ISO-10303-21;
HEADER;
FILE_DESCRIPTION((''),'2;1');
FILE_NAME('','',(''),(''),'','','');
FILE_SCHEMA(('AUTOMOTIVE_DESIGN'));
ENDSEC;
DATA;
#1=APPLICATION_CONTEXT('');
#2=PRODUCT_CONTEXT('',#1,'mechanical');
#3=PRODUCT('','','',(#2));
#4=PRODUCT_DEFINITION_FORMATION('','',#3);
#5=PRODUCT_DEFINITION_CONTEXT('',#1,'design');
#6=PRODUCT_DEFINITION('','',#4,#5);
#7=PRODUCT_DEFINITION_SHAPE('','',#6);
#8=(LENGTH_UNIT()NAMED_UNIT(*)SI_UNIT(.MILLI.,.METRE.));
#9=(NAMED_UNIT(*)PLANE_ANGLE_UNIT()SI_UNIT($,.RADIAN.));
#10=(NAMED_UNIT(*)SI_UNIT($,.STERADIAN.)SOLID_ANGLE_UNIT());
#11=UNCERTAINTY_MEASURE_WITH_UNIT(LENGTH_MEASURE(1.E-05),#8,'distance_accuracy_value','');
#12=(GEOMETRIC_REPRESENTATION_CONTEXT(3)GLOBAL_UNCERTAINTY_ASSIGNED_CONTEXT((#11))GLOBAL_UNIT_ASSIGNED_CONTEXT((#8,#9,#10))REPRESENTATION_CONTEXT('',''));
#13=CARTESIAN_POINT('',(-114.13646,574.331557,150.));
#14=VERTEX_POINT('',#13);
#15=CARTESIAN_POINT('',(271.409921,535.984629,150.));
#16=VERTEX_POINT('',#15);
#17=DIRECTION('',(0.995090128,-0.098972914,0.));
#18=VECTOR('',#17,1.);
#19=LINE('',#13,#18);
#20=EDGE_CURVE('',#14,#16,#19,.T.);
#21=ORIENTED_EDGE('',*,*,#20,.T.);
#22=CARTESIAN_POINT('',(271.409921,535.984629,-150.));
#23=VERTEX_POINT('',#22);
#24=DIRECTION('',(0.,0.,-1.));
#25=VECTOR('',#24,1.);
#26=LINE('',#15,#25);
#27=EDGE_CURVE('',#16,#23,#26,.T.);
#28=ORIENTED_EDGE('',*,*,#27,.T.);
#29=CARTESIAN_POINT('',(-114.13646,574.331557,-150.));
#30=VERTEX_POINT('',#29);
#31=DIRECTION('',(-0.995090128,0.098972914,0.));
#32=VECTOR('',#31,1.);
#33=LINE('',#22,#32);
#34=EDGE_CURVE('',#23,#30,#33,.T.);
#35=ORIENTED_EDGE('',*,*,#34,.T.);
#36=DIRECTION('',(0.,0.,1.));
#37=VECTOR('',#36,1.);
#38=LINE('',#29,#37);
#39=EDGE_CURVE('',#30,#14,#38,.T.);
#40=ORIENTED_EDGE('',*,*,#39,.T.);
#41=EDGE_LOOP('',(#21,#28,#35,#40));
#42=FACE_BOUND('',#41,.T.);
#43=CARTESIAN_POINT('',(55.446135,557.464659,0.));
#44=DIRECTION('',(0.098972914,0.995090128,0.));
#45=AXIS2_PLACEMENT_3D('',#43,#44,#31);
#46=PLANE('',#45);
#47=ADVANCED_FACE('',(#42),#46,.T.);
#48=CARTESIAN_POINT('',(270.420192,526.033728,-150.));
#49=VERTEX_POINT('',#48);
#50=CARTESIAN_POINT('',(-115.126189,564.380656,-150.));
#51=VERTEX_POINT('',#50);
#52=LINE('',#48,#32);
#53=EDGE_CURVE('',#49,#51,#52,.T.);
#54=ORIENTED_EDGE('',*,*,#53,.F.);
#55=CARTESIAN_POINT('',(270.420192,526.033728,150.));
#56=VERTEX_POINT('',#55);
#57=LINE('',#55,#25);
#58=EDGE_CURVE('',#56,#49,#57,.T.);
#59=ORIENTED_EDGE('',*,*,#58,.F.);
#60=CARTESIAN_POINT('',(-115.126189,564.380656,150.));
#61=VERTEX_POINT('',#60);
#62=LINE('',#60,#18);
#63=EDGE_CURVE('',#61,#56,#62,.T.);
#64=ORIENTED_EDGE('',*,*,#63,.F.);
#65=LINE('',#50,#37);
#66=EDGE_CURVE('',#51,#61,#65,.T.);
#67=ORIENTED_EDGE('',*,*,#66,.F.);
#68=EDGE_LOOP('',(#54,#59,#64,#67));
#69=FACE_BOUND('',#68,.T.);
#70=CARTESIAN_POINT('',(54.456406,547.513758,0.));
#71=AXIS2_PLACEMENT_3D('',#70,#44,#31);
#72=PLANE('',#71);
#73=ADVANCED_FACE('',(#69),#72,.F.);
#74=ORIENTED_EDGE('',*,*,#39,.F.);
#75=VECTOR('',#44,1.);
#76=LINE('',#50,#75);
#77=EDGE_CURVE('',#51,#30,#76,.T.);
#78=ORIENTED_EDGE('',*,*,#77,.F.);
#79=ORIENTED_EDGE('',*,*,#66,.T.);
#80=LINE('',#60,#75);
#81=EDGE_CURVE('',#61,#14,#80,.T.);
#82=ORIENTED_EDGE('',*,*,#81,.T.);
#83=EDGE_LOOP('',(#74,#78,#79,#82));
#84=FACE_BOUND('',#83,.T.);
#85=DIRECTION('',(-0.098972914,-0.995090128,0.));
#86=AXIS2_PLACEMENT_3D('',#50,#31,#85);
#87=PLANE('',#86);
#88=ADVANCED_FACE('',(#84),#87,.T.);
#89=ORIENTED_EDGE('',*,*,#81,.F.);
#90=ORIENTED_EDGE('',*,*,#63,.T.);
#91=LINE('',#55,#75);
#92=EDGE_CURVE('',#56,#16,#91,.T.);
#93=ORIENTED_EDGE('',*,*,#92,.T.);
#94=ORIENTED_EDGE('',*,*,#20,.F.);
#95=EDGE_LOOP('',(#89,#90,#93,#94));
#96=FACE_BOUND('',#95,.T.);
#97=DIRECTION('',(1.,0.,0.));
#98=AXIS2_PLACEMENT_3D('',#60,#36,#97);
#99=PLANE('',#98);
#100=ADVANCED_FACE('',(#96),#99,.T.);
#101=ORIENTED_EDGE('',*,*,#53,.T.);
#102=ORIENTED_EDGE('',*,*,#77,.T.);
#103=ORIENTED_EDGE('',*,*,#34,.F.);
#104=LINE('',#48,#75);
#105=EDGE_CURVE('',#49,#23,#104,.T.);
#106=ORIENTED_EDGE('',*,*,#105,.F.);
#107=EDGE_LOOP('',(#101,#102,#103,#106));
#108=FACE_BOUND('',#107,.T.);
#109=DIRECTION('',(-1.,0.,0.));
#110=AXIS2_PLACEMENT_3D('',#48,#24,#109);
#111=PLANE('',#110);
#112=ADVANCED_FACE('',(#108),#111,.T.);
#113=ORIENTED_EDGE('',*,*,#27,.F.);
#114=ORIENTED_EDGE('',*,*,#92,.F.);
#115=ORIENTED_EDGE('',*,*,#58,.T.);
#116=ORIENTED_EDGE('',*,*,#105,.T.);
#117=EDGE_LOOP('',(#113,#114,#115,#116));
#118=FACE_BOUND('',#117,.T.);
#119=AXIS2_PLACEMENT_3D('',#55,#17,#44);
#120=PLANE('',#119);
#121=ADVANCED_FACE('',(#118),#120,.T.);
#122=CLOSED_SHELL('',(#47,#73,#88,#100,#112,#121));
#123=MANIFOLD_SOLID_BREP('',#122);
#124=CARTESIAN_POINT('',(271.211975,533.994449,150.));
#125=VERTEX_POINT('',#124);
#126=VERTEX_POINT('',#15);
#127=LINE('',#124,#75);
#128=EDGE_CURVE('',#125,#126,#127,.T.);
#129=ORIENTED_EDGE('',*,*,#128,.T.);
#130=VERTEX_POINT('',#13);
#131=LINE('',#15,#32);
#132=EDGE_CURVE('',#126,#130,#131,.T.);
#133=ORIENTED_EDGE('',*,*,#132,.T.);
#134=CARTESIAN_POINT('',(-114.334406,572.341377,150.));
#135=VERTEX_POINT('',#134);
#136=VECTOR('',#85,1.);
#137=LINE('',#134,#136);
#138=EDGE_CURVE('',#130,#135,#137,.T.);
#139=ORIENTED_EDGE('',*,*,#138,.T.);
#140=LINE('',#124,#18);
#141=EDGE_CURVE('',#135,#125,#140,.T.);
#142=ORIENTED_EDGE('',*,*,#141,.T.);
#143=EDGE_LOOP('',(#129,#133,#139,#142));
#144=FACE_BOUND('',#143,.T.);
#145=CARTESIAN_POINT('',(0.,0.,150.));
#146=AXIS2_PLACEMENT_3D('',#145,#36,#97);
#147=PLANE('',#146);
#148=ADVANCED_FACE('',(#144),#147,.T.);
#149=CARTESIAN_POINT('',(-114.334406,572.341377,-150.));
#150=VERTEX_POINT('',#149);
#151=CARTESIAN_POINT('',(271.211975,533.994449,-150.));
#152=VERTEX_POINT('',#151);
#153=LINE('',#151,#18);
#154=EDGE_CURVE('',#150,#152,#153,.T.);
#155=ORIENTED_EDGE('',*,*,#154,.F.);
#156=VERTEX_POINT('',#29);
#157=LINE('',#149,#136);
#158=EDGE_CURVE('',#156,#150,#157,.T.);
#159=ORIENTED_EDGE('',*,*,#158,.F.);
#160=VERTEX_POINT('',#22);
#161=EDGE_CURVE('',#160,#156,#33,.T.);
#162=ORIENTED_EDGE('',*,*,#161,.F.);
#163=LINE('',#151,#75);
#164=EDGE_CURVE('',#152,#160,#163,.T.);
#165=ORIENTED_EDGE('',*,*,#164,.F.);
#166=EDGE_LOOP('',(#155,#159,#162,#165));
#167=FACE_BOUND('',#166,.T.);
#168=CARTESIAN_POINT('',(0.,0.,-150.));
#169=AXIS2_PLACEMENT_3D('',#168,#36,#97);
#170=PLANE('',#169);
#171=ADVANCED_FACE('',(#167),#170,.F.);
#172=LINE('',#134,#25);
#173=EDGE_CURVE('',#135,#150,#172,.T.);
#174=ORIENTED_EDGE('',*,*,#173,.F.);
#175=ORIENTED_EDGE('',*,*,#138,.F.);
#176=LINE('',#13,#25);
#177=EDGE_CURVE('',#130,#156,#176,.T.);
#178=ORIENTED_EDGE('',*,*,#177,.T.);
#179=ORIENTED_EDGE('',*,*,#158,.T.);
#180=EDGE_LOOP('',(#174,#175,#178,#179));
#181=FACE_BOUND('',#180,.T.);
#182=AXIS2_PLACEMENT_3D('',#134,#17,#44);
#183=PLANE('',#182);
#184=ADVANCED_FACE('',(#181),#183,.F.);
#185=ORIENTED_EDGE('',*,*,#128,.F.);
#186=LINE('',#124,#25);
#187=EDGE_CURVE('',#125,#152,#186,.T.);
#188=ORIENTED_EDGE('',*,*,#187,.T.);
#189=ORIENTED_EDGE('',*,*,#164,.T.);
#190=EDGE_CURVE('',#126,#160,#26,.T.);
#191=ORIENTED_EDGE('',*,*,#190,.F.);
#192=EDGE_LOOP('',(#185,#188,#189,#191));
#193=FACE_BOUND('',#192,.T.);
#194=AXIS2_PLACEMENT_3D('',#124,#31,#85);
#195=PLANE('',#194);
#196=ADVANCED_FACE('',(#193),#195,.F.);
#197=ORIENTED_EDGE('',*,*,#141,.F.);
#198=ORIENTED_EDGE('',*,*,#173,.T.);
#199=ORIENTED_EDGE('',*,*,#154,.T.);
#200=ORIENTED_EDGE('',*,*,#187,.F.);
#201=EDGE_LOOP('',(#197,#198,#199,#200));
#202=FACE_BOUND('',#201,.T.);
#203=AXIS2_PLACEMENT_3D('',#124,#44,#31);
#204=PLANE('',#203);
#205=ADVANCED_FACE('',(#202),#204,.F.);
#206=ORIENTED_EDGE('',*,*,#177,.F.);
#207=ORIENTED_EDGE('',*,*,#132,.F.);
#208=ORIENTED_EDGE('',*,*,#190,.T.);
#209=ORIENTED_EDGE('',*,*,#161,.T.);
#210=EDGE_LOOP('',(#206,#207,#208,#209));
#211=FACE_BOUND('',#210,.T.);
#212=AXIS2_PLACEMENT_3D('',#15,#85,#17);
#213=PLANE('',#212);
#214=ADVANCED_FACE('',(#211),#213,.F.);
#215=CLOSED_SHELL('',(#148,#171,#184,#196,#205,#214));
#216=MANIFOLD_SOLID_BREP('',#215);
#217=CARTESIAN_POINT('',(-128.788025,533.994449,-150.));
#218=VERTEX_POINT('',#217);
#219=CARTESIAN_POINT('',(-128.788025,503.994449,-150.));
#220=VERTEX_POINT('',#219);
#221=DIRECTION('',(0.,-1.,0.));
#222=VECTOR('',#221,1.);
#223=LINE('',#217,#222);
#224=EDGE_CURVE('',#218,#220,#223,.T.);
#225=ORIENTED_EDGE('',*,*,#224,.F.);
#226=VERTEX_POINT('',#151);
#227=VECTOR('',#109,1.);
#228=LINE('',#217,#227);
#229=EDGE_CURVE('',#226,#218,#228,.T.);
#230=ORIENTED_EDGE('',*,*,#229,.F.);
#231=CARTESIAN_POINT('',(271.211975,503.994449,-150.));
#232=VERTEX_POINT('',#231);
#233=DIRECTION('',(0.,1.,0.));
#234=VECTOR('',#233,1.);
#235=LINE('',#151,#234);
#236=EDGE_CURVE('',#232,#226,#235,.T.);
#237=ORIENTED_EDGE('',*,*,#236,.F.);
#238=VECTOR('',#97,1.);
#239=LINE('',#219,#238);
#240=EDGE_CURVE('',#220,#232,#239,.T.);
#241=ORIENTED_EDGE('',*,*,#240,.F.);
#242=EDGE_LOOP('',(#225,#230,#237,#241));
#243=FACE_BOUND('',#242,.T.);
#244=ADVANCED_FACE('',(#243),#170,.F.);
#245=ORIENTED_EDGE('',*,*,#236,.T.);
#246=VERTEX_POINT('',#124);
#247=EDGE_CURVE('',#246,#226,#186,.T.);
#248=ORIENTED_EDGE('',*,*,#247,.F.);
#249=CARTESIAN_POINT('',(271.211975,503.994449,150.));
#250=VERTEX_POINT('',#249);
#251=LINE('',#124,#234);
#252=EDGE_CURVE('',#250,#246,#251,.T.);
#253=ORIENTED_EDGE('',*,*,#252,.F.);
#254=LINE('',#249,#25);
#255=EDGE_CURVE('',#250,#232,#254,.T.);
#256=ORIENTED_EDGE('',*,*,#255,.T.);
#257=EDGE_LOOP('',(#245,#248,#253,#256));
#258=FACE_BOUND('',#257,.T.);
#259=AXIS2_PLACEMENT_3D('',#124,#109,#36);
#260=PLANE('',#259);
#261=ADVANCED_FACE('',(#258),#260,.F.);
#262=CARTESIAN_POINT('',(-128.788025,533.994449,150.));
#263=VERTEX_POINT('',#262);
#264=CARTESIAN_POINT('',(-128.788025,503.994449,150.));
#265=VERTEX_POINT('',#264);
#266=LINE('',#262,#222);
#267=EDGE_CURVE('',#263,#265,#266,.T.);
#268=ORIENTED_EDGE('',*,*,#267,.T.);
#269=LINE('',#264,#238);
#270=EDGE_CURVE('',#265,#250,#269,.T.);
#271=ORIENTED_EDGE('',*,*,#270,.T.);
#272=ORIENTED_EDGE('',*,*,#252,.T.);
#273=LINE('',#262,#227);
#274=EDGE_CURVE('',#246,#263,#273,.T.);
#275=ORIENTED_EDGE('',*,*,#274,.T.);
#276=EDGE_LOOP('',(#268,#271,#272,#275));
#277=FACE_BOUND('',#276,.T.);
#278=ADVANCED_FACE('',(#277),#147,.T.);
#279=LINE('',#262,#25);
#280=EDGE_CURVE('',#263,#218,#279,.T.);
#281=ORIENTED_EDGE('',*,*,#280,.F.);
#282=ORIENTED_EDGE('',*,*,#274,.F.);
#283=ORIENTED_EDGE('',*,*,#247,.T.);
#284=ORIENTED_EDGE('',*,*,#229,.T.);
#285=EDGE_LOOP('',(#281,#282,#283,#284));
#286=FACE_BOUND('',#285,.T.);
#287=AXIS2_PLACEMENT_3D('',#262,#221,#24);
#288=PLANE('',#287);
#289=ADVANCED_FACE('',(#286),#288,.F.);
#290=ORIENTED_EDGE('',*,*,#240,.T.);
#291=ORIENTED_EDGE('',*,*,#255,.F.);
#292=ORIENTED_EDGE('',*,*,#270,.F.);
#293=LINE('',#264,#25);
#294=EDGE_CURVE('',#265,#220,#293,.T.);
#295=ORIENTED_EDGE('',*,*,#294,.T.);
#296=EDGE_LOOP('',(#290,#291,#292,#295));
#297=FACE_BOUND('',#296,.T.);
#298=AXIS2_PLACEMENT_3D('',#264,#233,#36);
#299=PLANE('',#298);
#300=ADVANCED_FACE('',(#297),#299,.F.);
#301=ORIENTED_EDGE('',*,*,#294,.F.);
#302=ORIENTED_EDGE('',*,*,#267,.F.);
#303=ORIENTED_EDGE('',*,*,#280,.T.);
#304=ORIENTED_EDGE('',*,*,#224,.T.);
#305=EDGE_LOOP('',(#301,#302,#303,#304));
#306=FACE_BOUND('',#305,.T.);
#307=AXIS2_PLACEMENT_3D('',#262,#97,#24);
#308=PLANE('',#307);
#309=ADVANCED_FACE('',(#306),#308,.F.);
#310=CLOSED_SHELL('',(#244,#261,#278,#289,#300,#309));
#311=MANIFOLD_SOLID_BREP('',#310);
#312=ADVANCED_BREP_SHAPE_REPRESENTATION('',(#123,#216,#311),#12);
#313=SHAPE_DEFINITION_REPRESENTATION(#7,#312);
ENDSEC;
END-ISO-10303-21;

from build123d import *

# Parameters (mm, degrees)
SKETCH1_W                         = 400
SKETCH1_H                         = 30
BOSS_EXTRUDE1_DEPTH               = 150
ESTRUSIONE_ESTRUSIONE5_DEPTH      = 150
ESTRUSIONE_ESTRUSIONE5_DEPTH_BACK = 150
SKETCH3_W                         = 387.448704946
SKETCH3_H                         = 300
BOSS_EXTRUDE2_DEPTH               = 10


with BuildPart() as part:
    # Sketch1 → Boss-Extrude1 (new, symmetric)
    with BuildSketch(Plane.XY):
        with Locations((71.211975439, 518.994449049)):
            Rectangle(SKETCH1_W, SKETCH1_H)
    extrude(amount=BOSS_EXTRUDE1_DEPTH, both=True)


with BuildPart() as body_2:
    # Schizzo9 → Estrusione-Estrusione5 (new, two sides: drawn at the far end of the back side and taken through both)
    with BuildSketch(Plane.XY.offset(-ESTRUSIONE_ESTRUSIONE5_DEPTH_BACK)):
        Polygon((271.211975439, 533.994449049), (-114.334405835, 572.341376579), (-114.136460006, 574.331556834), (271.409921268, 535.984629305), align=None)
    extrude(amount=ESTRUSIONE_ESTRUSIONE5_DEPTH + ESTRUSIONE_ESTRUSIONE5_DEPTH_BACK)


with BuildPart() as body_3:
    # Sketch3 → Boss-Extrude2 (new body)
    with BuildSketch(Plane(origin=(55.446135433, 557.464658807, 0), x_dir=(0.9950901276791769, -0.09897291445359903, 0), z_dir=(0.09897291445359903, 0.9950901276791769, 0))):
        with Locations((23.30501987, 0)):
            Rectangle(SKETCH3_W, SKETCH3_H)
    extrude(amount=-BOSS_EXTRUDE2_DEPTH)


solid = Compound([part.part, body_2.part, body_3.part])
